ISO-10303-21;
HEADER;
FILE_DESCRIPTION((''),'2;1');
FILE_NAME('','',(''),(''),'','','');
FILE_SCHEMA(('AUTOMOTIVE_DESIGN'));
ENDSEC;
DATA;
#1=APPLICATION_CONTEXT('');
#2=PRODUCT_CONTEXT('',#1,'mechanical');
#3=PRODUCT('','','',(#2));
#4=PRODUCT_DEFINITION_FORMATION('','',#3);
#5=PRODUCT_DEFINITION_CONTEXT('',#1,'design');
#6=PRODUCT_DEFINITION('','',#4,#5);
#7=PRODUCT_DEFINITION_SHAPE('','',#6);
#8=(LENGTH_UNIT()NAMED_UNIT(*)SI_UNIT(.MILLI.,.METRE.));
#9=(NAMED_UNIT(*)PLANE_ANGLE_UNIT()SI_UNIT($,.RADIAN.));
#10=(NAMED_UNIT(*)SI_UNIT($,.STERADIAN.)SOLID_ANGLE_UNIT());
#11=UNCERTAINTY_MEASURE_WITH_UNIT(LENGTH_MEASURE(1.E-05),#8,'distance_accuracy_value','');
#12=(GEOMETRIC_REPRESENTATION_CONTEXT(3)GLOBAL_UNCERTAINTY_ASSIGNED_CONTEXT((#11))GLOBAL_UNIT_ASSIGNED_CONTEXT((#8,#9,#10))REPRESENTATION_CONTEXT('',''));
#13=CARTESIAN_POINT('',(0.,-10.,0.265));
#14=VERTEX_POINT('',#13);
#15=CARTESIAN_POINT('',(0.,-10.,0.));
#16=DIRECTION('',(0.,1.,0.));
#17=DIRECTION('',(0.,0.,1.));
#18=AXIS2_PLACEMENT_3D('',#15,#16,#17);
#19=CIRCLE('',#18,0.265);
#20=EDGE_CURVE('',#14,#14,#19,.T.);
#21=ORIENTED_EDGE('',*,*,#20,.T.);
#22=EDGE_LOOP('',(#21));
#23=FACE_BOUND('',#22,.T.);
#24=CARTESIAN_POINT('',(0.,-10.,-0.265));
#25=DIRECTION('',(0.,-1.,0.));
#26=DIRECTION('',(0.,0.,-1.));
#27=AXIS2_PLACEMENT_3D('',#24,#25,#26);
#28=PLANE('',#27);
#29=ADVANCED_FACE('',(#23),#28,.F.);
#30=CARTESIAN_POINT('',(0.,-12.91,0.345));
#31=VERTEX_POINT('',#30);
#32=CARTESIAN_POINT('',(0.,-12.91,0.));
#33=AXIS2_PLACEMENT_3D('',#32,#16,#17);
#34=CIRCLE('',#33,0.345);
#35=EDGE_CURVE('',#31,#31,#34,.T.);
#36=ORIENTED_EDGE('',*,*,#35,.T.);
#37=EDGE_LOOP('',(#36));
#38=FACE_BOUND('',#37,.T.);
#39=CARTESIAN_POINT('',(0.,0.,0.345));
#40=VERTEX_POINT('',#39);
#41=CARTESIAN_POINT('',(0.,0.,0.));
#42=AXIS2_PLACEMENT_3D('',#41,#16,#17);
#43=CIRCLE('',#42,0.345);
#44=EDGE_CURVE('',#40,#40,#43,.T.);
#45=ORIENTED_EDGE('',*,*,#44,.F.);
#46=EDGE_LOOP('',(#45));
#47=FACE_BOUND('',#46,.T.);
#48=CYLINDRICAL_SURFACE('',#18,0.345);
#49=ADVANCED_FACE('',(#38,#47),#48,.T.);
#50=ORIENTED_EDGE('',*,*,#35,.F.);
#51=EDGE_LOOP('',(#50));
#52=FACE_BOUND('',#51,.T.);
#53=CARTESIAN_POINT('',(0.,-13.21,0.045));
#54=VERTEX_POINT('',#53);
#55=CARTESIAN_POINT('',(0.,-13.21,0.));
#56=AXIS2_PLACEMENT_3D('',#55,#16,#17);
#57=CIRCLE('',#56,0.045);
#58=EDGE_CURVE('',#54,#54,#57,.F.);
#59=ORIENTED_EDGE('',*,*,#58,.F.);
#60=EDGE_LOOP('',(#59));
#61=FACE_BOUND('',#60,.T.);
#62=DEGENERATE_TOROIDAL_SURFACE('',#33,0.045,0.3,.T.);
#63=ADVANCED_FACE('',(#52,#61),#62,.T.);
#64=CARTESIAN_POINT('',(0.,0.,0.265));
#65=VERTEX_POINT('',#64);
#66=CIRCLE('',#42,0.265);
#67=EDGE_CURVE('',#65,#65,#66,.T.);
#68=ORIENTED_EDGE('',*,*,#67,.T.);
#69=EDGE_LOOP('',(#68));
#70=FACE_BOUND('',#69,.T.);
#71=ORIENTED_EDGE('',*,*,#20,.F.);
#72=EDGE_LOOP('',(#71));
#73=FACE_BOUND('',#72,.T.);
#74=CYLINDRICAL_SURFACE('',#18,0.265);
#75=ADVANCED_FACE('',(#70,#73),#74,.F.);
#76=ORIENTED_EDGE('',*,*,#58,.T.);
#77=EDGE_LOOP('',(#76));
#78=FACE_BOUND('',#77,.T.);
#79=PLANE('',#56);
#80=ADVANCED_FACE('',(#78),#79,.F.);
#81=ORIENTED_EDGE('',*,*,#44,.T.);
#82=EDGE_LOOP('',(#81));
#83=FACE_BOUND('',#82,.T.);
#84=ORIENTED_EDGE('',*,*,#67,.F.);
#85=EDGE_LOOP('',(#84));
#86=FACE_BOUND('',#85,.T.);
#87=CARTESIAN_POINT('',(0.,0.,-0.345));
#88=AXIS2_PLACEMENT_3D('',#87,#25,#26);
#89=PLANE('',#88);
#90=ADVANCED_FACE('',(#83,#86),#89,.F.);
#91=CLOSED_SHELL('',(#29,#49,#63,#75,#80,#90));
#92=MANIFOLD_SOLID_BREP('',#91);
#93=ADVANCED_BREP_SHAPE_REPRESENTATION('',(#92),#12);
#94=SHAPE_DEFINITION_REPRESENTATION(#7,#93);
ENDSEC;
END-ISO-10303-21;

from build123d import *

# Parameters (mm, degrees)
FILLET1_R = 0.3


with BuildPart() as part:
    # Sketch1 → Revolve1 (revolve)
    with BuildSketch(Plane(origin=(0, 0, 0), x_dir=(0, 0, -1), z_dir=(1, 0, 0)), mode=Mode.PRIVATE) as revolve1_sk:
        Polygon((0.265, 0), (0.265, -10), (0, -10), (0, -13.21), (0.345, -13.21), (0.345, 0), align=None)
    revolve(revolve1_sk.sketch.rotate(Axis((0, -10, 0), (0, -1, 0)), 180), axis=Axis((0, -10, 0), (0, -1, 0)))

    # Fillet1
    fillet1_edges = [part.edges().sort_by_distance(p)[0] for p in [
        (0, -13.21, -0.345),
    ]]
    fillet(fillet1_edges, radius=FILLET1_R)


solid = part.part
